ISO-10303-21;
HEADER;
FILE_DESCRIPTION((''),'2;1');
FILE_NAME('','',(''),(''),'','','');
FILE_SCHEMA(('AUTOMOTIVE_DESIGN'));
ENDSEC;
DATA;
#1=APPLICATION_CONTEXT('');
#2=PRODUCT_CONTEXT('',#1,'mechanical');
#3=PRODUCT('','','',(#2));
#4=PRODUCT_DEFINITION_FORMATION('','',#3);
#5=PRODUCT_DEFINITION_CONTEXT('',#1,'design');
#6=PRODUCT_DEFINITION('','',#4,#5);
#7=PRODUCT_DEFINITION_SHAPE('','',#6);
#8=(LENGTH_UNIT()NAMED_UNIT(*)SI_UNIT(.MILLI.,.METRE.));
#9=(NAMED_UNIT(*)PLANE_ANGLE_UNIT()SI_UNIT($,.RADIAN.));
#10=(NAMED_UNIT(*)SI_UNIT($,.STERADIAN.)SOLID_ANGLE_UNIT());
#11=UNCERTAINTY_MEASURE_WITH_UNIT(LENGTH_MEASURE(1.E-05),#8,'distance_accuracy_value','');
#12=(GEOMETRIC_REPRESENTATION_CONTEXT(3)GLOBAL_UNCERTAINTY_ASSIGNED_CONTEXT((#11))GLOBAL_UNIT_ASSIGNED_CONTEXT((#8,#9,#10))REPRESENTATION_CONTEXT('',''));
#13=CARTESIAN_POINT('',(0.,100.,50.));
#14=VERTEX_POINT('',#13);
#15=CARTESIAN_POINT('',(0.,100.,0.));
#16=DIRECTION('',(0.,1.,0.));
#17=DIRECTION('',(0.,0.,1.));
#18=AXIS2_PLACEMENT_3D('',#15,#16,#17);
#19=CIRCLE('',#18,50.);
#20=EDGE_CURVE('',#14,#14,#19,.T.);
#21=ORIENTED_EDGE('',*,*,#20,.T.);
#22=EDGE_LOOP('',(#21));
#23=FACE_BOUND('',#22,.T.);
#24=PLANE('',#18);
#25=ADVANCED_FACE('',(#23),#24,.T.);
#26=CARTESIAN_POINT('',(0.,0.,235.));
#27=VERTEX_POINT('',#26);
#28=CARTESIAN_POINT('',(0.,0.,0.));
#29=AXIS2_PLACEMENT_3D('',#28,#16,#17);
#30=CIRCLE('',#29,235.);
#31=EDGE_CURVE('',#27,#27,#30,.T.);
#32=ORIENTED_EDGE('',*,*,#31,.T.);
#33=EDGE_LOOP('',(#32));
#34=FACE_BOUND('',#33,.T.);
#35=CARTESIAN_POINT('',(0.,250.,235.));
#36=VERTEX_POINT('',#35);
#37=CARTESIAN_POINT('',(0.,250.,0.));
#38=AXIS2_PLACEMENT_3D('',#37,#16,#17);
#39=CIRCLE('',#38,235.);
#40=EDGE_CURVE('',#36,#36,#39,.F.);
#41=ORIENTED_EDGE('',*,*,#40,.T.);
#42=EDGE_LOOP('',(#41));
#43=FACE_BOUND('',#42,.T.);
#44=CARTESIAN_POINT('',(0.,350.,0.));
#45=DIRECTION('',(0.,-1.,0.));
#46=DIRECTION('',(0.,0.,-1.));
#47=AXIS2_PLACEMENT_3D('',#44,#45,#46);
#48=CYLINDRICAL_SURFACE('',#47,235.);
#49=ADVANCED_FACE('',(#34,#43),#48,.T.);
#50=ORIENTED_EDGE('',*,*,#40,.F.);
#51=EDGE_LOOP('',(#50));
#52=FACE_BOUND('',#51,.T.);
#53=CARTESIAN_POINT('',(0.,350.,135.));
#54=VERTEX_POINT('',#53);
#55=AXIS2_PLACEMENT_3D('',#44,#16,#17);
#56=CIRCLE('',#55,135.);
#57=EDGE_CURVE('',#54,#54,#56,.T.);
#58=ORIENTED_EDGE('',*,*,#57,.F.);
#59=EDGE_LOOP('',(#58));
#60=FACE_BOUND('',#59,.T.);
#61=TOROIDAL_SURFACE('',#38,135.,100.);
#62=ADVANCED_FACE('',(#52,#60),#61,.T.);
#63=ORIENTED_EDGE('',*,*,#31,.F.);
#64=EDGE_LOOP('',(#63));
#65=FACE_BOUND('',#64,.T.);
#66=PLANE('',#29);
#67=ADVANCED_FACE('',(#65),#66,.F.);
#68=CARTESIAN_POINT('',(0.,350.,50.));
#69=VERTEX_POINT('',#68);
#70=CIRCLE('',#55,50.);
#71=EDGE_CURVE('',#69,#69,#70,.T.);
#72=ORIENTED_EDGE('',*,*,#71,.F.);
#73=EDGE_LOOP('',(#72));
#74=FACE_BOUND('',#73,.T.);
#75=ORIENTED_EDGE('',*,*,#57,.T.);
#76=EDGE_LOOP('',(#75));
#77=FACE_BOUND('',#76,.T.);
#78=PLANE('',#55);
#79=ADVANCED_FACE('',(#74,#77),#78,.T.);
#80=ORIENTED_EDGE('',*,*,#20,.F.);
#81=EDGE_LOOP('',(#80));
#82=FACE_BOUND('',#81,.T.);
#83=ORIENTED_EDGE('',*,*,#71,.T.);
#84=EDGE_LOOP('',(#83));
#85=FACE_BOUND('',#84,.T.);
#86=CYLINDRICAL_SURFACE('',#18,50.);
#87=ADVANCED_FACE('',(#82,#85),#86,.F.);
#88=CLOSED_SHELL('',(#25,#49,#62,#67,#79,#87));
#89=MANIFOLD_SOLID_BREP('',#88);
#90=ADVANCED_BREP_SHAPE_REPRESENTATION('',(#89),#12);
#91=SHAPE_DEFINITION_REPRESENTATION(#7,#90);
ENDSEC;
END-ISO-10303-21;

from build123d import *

# Parameters (mm, degrees)
SKETCH1_R           = 235
BOSS_EXTRUDE1_DEPTH = 350
SKETCH3_R           = 50
CUT_EXTRUDE1_DEPTH  = 250
FILLET1_R           = 100


with BuildPart() as part:
    # Sketch1 → Boss-Extrude1 (new body)
    with BuildSketch(Plane(origin=(0, 0, 0), x_dir=(1, 0, 0), z_dir=(0, 1, 0))):
        Circle(SKETCH1_R)
    extrude(amount=BOSS_EXTRUDE1_DEPTH)

    # Sketch3 → Cut-Extrude1 (cut)
    with BuildSketch(Plane(origin=(0, 350, 0), x_dir=(1, 0, 0), z_dir=(0, 1, 0))):
        Circle(SKETCH3_R)
    extrude(amount=-CUT_EXTRUDE1_DEPTH, mode=Mode.SUBTRACT)

    # Fillet1
    fillet1_edges = [part.edges().sort_by_distance(p)[0] for p in [
        (-235, 350, 0),
    ]]
    fillet(fillet1_edges, radius=FILLET1_R)


solid = part.part
